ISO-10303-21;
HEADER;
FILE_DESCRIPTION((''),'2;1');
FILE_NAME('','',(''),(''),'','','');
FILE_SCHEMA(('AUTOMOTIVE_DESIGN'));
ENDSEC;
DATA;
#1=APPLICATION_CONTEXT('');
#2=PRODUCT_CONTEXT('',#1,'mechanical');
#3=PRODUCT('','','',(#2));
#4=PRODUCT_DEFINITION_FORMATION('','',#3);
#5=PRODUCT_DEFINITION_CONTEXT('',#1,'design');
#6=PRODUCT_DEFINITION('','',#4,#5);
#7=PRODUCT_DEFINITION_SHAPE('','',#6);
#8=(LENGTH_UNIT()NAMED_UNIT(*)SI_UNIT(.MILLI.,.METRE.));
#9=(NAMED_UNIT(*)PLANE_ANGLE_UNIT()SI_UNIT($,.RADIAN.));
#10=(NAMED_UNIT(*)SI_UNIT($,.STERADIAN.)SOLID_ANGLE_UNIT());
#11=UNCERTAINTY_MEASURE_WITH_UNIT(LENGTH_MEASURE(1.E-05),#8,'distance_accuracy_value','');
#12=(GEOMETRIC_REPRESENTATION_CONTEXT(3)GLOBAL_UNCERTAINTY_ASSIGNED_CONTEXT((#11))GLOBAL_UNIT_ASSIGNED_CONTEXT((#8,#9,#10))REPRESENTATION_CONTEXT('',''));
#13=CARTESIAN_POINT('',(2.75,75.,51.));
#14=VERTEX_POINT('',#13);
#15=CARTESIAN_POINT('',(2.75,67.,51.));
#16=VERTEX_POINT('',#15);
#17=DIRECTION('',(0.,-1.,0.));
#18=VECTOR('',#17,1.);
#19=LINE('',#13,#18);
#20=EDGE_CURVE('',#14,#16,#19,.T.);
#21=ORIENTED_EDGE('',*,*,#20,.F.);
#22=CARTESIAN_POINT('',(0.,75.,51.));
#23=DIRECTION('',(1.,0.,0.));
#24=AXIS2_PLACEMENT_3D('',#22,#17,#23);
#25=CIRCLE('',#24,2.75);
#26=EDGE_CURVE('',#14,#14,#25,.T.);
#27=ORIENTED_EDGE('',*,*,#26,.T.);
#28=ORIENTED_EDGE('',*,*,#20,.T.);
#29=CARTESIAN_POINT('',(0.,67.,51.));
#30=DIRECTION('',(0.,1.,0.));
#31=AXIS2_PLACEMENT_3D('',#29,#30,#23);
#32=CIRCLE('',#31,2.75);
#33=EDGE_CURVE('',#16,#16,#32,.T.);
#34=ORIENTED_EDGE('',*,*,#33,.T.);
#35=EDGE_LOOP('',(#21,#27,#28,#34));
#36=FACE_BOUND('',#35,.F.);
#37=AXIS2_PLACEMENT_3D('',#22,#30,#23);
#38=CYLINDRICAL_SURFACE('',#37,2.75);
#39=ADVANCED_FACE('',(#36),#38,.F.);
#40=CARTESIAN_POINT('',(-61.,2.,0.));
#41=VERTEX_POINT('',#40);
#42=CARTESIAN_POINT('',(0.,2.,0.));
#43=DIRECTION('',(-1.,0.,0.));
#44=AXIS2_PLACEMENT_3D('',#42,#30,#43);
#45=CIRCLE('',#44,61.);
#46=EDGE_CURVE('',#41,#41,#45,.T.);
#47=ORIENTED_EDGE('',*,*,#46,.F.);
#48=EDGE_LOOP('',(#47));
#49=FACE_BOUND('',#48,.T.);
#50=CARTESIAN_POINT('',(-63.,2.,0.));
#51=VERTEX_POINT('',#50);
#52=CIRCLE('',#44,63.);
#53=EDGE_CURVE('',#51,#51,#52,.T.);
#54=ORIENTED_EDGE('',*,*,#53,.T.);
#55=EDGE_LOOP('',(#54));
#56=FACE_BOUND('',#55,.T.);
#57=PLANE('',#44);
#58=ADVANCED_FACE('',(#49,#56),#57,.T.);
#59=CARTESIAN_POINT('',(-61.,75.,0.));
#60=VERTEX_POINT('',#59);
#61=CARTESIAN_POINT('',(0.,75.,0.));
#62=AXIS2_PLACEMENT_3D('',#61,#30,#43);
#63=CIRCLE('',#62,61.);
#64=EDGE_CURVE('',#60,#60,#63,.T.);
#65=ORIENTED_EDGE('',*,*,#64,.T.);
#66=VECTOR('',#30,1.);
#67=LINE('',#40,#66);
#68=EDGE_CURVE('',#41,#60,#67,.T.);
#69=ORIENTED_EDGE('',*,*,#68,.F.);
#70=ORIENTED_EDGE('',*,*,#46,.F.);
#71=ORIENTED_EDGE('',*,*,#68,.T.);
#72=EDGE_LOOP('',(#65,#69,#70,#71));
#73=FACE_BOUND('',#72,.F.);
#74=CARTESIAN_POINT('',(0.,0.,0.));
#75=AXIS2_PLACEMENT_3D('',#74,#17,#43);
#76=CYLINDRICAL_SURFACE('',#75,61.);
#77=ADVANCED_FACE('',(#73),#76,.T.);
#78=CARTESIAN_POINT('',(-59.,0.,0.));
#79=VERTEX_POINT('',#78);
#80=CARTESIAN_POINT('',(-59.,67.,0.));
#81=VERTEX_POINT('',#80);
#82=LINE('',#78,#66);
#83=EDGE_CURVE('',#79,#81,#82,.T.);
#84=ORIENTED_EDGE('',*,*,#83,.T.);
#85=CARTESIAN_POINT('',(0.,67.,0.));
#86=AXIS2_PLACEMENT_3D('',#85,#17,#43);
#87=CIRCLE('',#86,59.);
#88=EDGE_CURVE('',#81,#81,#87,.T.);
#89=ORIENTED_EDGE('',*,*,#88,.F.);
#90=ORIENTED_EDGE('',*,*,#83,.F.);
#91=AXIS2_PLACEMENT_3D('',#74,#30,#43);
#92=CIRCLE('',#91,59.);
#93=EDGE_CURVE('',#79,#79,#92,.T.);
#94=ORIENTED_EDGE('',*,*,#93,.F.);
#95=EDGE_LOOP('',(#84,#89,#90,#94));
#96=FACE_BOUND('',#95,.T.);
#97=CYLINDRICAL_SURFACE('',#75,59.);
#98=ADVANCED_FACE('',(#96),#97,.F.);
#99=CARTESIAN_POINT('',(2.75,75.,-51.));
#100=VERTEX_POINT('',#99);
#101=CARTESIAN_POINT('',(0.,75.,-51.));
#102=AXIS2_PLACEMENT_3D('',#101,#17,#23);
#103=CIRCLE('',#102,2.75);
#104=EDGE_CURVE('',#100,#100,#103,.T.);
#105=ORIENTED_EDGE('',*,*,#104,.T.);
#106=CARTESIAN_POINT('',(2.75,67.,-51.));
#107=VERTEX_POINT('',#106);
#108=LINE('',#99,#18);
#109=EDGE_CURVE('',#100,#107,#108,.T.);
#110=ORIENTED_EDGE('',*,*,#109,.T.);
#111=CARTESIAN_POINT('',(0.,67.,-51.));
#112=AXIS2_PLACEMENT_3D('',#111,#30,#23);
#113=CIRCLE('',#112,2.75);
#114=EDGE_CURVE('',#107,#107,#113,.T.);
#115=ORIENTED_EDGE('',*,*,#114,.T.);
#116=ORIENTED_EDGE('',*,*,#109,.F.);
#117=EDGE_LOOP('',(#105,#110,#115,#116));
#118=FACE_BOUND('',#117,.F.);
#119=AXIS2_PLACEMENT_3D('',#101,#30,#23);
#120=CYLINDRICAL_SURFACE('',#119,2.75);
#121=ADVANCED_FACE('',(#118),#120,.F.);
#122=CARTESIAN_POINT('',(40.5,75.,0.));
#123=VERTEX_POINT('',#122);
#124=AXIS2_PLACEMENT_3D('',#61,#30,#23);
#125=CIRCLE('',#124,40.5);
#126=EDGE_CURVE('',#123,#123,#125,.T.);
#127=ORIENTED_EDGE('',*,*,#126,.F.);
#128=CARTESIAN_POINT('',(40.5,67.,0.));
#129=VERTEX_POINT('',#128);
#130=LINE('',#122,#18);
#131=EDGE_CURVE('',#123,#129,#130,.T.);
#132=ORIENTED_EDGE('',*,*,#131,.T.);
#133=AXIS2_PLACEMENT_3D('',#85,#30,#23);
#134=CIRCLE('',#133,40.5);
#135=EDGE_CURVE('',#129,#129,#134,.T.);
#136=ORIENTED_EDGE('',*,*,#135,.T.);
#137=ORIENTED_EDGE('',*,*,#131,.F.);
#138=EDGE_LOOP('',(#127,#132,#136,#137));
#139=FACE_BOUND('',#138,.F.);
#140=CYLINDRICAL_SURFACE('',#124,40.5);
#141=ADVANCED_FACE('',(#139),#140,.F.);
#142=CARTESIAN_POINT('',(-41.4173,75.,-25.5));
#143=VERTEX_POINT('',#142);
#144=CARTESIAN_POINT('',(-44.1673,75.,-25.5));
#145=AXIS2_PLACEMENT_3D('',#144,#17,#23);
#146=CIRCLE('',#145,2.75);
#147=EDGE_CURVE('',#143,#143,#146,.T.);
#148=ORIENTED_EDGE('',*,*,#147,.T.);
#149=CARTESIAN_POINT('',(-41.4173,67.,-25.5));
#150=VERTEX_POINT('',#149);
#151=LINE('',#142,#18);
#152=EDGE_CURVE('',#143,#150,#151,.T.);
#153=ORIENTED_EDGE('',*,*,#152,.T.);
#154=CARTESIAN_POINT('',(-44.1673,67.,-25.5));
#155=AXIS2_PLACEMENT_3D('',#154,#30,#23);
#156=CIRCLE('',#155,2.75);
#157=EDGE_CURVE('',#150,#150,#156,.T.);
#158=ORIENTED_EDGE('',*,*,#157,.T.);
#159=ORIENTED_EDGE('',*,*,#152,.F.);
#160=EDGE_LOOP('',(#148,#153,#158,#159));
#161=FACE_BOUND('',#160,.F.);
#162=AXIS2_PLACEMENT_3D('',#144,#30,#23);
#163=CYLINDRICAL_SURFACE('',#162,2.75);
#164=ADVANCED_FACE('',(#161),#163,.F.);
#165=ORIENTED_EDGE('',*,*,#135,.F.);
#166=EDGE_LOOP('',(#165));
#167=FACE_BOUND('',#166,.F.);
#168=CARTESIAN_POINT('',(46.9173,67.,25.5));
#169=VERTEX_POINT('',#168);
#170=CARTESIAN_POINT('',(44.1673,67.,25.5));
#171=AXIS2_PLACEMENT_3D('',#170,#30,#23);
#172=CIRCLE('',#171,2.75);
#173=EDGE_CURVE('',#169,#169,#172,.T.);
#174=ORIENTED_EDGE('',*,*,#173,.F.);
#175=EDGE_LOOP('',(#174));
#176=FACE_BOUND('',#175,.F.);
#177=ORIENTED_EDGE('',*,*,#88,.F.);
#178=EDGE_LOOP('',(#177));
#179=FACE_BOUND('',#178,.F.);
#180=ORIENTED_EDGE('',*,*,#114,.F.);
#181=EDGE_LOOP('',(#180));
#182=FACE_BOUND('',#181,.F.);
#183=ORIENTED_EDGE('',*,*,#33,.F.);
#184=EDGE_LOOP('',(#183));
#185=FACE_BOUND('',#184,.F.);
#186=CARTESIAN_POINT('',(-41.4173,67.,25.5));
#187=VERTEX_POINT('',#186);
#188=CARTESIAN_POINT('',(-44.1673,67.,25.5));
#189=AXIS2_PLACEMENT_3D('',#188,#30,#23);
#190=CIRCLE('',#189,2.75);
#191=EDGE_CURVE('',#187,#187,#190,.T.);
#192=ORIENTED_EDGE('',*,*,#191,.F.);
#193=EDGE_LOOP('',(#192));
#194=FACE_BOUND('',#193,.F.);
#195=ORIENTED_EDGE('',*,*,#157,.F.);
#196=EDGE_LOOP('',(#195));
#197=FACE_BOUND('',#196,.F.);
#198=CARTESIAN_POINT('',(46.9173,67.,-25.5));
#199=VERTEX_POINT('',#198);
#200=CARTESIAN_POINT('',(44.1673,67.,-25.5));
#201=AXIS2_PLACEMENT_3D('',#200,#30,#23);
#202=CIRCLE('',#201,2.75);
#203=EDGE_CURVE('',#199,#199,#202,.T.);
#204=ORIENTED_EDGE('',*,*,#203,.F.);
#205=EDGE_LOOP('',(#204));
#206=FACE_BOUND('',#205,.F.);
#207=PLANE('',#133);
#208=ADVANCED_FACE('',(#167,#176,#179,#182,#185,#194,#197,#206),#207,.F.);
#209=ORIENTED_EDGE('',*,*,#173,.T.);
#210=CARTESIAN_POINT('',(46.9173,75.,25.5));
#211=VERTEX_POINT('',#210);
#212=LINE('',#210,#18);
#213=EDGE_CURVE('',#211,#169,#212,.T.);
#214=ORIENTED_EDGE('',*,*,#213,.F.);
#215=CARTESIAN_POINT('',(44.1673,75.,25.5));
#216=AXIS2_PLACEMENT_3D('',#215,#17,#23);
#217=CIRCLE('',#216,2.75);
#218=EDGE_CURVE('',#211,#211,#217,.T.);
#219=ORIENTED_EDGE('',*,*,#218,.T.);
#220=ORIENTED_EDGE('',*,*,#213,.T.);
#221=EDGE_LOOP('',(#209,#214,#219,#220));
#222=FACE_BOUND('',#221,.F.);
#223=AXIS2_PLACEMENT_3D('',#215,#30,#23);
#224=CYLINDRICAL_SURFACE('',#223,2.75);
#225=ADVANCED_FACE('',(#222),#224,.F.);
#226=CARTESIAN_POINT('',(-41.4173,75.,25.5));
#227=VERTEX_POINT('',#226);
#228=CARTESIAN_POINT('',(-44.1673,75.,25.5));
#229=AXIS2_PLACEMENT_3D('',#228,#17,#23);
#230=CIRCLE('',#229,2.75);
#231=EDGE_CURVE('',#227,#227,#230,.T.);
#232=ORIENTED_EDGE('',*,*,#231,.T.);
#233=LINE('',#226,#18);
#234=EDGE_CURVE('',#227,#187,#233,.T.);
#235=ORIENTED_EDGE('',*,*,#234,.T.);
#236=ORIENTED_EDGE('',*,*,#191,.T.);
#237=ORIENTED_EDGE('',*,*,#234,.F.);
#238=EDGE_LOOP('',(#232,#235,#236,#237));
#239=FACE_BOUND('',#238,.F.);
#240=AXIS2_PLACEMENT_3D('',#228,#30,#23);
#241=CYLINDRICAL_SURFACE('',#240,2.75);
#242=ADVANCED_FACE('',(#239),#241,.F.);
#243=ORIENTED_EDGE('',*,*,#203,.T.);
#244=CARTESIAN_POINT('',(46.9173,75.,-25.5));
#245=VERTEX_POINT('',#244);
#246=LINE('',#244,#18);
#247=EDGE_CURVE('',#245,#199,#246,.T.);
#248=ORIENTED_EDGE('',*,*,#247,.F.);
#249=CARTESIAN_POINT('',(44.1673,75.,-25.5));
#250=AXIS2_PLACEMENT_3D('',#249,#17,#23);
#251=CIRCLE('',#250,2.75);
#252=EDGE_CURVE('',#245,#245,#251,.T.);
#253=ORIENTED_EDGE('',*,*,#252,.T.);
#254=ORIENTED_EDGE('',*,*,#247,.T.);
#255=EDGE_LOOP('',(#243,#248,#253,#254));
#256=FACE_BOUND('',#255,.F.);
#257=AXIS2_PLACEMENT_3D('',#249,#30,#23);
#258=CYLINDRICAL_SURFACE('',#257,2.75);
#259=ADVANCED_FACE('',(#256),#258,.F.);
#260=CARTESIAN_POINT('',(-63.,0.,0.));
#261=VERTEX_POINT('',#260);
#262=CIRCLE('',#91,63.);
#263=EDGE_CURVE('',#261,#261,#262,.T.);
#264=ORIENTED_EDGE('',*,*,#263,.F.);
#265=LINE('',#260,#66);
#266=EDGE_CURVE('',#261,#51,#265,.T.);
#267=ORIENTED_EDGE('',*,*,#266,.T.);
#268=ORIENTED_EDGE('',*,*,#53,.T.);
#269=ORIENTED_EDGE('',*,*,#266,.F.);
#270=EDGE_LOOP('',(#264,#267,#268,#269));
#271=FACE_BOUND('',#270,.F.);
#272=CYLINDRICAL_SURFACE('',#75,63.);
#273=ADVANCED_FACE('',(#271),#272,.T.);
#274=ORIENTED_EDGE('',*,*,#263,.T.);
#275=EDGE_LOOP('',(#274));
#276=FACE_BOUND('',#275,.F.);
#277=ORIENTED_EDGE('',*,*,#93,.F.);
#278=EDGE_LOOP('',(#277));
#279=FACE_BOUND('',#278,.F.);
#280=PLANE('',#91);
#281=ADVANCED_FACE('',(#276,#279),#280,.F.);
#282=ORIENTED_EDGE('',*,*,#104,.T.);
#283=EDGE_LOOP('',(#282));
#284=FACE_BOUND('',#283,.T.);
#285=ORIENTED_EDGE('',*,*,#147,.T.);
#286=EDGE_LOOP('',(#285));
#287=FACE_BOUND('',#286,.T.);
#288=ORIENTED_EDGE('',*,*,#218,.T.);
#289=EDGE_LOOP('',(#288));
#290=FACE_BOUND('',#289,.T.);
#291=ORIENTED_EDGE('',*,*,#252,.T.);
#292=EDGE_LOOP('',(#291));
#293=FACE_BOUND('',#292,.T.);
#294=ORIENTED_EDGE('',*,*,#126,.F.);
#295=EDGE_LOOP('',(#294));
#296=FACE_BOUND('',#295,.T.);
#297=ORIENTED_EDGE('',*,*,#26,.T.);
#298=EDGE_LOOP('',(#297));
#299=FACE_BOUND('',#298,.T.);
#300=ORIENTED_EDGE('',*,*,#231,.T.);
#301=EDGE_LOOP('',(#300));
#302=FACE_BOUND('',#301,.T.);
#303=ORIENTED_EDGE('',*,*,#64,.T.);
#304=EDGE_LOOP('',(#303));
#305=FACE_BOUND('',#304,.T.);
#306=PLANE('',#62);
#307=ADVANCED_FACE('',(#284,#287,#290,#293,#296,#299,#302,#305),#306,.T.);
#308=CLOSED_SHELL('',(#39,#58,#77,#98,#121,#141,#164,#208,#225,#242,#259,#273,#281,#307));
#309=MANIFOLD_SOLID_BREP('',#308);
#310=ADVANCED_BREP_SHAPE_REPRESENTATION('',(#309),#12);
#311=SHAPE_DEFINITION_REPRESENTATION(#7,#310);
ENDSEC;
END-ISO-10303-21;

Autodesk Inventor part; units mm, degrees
ref_plane "YZ Plane" through (0, 0, 0) normal (1, 0, 0) x (0, 1, 0)
ref_plane "XZ Plane" through (0, 0, 0) normal (0, 1, 0) x (-1, 0, 0)
sketch "Sketch1" plane through (0, 0, 0) normal (0, 1, 0) x (-1, 0, 0)
  circle A0 centre (0, 0) radius 63
  circle A1 centre (0, 0) radius 61
  circle A2 centre (0, 0) radius 59
  dimension "Absolute_Diameter" = 126
  dimension "Diameter_No_Outer_Lip" = 122
  dimension "Inner_Cylinder_Diameter" = 118
extrude "Extrusion1" add sketch "Sketch1" along normal blind 2 contours A0
extrude "Extrusion2" add sketch "Sketch1" along normal blind 75 contours A1
sketch "Sketch2" plane through (0, 75, 0) normal (0, 1, 0) x (1, 0, 0)
  circle A0 centre (0, 0) radius 40.5
  circle A1 centre (0, 0) radius 61
  dimension "Lip_Diameter_Out" = 81
  dimension "Top_Outer_Lip_Diameter" = 122
extrude "Extrusion7" add sketch "Sketch2" against normal blind 8
ref_plane "Work Plane2" through (0, 10, 0) normal (0, 1, 0) x (1, 0, 0)
sketch "Sketch3" plane through (0, 10, 0) normal (0, 1, 0) x (1, 0, 0)
  circle A0 centre (0, 0) radius 127.5
  circle A1 centre (-127.5, 0) radius 2.5
  circle A2 centre (-103.1497, -74.9426) radius 2.5
  circle A3 centre (-39.3997, -121.2597) radius 2.5
  circle A4 centre (39.3997, -121.2597) radius 2.5
  circle A5 centre (103.1497, -74.9426) radius 2.5
  circle A6 centre (127.5, 0) radius 2.5
  circle A7 centre (103.1497, 74.9426) radius 2.5
  circle A8 centre (39.3997, 121.2597) radius 2.5
  circle A9 centre (-39.3997, 121.2597) radius 2.5
  circle A10 centre (-103.1497, 74.9426) radius 2.5
  dimension "d27" = 255
  dimension "d28" = 5
  dimension "d31" = 360
extrude "Extrusion8" [suppressed]
sketch "Sketch24" plane through (0, 75, 0) normal (0, 1, 0) x (1, 0, 0)
  circle A0 centre (0, 0) radius 51
  circle A1 centre (0, -51) radius 2.75
  circle A2 centre (44.1673, -25.5) radius 2.75
  circle A3 centre (44.1673, 25.5) radius 2.75
  circle A4 centre (0, 51) radius 2.75
  circle A5 centre (-44.1673, 25.5) radius 2.75
  circle A6 centre (-44.1673, -25.5) radius 2.75
  dimension "d230" = 102
  dimension "d231" = 5.5
  dimension "d234" = 360
extrude "Extrusion30" cut sketch "Sketch24" against normal blind 10 contours A3 A0 | A0 A3 | A2 A0 | A0 A2 | A4 A0 | A0 A4 | A1 A0 | A0 A1 | A5 A0 | A0 A5 | A6 A0 | A0 A6
sketch "Sketch48" plane through (0, 75, 0) normal (0, 1, 0) x (1, 0, 0)
  circle A0 centre (0, 0) radius 51
  dimension "Lip_Height" = 2
  dimension "d897" = 102
properties part number "Cylinder Replacement- 11"
